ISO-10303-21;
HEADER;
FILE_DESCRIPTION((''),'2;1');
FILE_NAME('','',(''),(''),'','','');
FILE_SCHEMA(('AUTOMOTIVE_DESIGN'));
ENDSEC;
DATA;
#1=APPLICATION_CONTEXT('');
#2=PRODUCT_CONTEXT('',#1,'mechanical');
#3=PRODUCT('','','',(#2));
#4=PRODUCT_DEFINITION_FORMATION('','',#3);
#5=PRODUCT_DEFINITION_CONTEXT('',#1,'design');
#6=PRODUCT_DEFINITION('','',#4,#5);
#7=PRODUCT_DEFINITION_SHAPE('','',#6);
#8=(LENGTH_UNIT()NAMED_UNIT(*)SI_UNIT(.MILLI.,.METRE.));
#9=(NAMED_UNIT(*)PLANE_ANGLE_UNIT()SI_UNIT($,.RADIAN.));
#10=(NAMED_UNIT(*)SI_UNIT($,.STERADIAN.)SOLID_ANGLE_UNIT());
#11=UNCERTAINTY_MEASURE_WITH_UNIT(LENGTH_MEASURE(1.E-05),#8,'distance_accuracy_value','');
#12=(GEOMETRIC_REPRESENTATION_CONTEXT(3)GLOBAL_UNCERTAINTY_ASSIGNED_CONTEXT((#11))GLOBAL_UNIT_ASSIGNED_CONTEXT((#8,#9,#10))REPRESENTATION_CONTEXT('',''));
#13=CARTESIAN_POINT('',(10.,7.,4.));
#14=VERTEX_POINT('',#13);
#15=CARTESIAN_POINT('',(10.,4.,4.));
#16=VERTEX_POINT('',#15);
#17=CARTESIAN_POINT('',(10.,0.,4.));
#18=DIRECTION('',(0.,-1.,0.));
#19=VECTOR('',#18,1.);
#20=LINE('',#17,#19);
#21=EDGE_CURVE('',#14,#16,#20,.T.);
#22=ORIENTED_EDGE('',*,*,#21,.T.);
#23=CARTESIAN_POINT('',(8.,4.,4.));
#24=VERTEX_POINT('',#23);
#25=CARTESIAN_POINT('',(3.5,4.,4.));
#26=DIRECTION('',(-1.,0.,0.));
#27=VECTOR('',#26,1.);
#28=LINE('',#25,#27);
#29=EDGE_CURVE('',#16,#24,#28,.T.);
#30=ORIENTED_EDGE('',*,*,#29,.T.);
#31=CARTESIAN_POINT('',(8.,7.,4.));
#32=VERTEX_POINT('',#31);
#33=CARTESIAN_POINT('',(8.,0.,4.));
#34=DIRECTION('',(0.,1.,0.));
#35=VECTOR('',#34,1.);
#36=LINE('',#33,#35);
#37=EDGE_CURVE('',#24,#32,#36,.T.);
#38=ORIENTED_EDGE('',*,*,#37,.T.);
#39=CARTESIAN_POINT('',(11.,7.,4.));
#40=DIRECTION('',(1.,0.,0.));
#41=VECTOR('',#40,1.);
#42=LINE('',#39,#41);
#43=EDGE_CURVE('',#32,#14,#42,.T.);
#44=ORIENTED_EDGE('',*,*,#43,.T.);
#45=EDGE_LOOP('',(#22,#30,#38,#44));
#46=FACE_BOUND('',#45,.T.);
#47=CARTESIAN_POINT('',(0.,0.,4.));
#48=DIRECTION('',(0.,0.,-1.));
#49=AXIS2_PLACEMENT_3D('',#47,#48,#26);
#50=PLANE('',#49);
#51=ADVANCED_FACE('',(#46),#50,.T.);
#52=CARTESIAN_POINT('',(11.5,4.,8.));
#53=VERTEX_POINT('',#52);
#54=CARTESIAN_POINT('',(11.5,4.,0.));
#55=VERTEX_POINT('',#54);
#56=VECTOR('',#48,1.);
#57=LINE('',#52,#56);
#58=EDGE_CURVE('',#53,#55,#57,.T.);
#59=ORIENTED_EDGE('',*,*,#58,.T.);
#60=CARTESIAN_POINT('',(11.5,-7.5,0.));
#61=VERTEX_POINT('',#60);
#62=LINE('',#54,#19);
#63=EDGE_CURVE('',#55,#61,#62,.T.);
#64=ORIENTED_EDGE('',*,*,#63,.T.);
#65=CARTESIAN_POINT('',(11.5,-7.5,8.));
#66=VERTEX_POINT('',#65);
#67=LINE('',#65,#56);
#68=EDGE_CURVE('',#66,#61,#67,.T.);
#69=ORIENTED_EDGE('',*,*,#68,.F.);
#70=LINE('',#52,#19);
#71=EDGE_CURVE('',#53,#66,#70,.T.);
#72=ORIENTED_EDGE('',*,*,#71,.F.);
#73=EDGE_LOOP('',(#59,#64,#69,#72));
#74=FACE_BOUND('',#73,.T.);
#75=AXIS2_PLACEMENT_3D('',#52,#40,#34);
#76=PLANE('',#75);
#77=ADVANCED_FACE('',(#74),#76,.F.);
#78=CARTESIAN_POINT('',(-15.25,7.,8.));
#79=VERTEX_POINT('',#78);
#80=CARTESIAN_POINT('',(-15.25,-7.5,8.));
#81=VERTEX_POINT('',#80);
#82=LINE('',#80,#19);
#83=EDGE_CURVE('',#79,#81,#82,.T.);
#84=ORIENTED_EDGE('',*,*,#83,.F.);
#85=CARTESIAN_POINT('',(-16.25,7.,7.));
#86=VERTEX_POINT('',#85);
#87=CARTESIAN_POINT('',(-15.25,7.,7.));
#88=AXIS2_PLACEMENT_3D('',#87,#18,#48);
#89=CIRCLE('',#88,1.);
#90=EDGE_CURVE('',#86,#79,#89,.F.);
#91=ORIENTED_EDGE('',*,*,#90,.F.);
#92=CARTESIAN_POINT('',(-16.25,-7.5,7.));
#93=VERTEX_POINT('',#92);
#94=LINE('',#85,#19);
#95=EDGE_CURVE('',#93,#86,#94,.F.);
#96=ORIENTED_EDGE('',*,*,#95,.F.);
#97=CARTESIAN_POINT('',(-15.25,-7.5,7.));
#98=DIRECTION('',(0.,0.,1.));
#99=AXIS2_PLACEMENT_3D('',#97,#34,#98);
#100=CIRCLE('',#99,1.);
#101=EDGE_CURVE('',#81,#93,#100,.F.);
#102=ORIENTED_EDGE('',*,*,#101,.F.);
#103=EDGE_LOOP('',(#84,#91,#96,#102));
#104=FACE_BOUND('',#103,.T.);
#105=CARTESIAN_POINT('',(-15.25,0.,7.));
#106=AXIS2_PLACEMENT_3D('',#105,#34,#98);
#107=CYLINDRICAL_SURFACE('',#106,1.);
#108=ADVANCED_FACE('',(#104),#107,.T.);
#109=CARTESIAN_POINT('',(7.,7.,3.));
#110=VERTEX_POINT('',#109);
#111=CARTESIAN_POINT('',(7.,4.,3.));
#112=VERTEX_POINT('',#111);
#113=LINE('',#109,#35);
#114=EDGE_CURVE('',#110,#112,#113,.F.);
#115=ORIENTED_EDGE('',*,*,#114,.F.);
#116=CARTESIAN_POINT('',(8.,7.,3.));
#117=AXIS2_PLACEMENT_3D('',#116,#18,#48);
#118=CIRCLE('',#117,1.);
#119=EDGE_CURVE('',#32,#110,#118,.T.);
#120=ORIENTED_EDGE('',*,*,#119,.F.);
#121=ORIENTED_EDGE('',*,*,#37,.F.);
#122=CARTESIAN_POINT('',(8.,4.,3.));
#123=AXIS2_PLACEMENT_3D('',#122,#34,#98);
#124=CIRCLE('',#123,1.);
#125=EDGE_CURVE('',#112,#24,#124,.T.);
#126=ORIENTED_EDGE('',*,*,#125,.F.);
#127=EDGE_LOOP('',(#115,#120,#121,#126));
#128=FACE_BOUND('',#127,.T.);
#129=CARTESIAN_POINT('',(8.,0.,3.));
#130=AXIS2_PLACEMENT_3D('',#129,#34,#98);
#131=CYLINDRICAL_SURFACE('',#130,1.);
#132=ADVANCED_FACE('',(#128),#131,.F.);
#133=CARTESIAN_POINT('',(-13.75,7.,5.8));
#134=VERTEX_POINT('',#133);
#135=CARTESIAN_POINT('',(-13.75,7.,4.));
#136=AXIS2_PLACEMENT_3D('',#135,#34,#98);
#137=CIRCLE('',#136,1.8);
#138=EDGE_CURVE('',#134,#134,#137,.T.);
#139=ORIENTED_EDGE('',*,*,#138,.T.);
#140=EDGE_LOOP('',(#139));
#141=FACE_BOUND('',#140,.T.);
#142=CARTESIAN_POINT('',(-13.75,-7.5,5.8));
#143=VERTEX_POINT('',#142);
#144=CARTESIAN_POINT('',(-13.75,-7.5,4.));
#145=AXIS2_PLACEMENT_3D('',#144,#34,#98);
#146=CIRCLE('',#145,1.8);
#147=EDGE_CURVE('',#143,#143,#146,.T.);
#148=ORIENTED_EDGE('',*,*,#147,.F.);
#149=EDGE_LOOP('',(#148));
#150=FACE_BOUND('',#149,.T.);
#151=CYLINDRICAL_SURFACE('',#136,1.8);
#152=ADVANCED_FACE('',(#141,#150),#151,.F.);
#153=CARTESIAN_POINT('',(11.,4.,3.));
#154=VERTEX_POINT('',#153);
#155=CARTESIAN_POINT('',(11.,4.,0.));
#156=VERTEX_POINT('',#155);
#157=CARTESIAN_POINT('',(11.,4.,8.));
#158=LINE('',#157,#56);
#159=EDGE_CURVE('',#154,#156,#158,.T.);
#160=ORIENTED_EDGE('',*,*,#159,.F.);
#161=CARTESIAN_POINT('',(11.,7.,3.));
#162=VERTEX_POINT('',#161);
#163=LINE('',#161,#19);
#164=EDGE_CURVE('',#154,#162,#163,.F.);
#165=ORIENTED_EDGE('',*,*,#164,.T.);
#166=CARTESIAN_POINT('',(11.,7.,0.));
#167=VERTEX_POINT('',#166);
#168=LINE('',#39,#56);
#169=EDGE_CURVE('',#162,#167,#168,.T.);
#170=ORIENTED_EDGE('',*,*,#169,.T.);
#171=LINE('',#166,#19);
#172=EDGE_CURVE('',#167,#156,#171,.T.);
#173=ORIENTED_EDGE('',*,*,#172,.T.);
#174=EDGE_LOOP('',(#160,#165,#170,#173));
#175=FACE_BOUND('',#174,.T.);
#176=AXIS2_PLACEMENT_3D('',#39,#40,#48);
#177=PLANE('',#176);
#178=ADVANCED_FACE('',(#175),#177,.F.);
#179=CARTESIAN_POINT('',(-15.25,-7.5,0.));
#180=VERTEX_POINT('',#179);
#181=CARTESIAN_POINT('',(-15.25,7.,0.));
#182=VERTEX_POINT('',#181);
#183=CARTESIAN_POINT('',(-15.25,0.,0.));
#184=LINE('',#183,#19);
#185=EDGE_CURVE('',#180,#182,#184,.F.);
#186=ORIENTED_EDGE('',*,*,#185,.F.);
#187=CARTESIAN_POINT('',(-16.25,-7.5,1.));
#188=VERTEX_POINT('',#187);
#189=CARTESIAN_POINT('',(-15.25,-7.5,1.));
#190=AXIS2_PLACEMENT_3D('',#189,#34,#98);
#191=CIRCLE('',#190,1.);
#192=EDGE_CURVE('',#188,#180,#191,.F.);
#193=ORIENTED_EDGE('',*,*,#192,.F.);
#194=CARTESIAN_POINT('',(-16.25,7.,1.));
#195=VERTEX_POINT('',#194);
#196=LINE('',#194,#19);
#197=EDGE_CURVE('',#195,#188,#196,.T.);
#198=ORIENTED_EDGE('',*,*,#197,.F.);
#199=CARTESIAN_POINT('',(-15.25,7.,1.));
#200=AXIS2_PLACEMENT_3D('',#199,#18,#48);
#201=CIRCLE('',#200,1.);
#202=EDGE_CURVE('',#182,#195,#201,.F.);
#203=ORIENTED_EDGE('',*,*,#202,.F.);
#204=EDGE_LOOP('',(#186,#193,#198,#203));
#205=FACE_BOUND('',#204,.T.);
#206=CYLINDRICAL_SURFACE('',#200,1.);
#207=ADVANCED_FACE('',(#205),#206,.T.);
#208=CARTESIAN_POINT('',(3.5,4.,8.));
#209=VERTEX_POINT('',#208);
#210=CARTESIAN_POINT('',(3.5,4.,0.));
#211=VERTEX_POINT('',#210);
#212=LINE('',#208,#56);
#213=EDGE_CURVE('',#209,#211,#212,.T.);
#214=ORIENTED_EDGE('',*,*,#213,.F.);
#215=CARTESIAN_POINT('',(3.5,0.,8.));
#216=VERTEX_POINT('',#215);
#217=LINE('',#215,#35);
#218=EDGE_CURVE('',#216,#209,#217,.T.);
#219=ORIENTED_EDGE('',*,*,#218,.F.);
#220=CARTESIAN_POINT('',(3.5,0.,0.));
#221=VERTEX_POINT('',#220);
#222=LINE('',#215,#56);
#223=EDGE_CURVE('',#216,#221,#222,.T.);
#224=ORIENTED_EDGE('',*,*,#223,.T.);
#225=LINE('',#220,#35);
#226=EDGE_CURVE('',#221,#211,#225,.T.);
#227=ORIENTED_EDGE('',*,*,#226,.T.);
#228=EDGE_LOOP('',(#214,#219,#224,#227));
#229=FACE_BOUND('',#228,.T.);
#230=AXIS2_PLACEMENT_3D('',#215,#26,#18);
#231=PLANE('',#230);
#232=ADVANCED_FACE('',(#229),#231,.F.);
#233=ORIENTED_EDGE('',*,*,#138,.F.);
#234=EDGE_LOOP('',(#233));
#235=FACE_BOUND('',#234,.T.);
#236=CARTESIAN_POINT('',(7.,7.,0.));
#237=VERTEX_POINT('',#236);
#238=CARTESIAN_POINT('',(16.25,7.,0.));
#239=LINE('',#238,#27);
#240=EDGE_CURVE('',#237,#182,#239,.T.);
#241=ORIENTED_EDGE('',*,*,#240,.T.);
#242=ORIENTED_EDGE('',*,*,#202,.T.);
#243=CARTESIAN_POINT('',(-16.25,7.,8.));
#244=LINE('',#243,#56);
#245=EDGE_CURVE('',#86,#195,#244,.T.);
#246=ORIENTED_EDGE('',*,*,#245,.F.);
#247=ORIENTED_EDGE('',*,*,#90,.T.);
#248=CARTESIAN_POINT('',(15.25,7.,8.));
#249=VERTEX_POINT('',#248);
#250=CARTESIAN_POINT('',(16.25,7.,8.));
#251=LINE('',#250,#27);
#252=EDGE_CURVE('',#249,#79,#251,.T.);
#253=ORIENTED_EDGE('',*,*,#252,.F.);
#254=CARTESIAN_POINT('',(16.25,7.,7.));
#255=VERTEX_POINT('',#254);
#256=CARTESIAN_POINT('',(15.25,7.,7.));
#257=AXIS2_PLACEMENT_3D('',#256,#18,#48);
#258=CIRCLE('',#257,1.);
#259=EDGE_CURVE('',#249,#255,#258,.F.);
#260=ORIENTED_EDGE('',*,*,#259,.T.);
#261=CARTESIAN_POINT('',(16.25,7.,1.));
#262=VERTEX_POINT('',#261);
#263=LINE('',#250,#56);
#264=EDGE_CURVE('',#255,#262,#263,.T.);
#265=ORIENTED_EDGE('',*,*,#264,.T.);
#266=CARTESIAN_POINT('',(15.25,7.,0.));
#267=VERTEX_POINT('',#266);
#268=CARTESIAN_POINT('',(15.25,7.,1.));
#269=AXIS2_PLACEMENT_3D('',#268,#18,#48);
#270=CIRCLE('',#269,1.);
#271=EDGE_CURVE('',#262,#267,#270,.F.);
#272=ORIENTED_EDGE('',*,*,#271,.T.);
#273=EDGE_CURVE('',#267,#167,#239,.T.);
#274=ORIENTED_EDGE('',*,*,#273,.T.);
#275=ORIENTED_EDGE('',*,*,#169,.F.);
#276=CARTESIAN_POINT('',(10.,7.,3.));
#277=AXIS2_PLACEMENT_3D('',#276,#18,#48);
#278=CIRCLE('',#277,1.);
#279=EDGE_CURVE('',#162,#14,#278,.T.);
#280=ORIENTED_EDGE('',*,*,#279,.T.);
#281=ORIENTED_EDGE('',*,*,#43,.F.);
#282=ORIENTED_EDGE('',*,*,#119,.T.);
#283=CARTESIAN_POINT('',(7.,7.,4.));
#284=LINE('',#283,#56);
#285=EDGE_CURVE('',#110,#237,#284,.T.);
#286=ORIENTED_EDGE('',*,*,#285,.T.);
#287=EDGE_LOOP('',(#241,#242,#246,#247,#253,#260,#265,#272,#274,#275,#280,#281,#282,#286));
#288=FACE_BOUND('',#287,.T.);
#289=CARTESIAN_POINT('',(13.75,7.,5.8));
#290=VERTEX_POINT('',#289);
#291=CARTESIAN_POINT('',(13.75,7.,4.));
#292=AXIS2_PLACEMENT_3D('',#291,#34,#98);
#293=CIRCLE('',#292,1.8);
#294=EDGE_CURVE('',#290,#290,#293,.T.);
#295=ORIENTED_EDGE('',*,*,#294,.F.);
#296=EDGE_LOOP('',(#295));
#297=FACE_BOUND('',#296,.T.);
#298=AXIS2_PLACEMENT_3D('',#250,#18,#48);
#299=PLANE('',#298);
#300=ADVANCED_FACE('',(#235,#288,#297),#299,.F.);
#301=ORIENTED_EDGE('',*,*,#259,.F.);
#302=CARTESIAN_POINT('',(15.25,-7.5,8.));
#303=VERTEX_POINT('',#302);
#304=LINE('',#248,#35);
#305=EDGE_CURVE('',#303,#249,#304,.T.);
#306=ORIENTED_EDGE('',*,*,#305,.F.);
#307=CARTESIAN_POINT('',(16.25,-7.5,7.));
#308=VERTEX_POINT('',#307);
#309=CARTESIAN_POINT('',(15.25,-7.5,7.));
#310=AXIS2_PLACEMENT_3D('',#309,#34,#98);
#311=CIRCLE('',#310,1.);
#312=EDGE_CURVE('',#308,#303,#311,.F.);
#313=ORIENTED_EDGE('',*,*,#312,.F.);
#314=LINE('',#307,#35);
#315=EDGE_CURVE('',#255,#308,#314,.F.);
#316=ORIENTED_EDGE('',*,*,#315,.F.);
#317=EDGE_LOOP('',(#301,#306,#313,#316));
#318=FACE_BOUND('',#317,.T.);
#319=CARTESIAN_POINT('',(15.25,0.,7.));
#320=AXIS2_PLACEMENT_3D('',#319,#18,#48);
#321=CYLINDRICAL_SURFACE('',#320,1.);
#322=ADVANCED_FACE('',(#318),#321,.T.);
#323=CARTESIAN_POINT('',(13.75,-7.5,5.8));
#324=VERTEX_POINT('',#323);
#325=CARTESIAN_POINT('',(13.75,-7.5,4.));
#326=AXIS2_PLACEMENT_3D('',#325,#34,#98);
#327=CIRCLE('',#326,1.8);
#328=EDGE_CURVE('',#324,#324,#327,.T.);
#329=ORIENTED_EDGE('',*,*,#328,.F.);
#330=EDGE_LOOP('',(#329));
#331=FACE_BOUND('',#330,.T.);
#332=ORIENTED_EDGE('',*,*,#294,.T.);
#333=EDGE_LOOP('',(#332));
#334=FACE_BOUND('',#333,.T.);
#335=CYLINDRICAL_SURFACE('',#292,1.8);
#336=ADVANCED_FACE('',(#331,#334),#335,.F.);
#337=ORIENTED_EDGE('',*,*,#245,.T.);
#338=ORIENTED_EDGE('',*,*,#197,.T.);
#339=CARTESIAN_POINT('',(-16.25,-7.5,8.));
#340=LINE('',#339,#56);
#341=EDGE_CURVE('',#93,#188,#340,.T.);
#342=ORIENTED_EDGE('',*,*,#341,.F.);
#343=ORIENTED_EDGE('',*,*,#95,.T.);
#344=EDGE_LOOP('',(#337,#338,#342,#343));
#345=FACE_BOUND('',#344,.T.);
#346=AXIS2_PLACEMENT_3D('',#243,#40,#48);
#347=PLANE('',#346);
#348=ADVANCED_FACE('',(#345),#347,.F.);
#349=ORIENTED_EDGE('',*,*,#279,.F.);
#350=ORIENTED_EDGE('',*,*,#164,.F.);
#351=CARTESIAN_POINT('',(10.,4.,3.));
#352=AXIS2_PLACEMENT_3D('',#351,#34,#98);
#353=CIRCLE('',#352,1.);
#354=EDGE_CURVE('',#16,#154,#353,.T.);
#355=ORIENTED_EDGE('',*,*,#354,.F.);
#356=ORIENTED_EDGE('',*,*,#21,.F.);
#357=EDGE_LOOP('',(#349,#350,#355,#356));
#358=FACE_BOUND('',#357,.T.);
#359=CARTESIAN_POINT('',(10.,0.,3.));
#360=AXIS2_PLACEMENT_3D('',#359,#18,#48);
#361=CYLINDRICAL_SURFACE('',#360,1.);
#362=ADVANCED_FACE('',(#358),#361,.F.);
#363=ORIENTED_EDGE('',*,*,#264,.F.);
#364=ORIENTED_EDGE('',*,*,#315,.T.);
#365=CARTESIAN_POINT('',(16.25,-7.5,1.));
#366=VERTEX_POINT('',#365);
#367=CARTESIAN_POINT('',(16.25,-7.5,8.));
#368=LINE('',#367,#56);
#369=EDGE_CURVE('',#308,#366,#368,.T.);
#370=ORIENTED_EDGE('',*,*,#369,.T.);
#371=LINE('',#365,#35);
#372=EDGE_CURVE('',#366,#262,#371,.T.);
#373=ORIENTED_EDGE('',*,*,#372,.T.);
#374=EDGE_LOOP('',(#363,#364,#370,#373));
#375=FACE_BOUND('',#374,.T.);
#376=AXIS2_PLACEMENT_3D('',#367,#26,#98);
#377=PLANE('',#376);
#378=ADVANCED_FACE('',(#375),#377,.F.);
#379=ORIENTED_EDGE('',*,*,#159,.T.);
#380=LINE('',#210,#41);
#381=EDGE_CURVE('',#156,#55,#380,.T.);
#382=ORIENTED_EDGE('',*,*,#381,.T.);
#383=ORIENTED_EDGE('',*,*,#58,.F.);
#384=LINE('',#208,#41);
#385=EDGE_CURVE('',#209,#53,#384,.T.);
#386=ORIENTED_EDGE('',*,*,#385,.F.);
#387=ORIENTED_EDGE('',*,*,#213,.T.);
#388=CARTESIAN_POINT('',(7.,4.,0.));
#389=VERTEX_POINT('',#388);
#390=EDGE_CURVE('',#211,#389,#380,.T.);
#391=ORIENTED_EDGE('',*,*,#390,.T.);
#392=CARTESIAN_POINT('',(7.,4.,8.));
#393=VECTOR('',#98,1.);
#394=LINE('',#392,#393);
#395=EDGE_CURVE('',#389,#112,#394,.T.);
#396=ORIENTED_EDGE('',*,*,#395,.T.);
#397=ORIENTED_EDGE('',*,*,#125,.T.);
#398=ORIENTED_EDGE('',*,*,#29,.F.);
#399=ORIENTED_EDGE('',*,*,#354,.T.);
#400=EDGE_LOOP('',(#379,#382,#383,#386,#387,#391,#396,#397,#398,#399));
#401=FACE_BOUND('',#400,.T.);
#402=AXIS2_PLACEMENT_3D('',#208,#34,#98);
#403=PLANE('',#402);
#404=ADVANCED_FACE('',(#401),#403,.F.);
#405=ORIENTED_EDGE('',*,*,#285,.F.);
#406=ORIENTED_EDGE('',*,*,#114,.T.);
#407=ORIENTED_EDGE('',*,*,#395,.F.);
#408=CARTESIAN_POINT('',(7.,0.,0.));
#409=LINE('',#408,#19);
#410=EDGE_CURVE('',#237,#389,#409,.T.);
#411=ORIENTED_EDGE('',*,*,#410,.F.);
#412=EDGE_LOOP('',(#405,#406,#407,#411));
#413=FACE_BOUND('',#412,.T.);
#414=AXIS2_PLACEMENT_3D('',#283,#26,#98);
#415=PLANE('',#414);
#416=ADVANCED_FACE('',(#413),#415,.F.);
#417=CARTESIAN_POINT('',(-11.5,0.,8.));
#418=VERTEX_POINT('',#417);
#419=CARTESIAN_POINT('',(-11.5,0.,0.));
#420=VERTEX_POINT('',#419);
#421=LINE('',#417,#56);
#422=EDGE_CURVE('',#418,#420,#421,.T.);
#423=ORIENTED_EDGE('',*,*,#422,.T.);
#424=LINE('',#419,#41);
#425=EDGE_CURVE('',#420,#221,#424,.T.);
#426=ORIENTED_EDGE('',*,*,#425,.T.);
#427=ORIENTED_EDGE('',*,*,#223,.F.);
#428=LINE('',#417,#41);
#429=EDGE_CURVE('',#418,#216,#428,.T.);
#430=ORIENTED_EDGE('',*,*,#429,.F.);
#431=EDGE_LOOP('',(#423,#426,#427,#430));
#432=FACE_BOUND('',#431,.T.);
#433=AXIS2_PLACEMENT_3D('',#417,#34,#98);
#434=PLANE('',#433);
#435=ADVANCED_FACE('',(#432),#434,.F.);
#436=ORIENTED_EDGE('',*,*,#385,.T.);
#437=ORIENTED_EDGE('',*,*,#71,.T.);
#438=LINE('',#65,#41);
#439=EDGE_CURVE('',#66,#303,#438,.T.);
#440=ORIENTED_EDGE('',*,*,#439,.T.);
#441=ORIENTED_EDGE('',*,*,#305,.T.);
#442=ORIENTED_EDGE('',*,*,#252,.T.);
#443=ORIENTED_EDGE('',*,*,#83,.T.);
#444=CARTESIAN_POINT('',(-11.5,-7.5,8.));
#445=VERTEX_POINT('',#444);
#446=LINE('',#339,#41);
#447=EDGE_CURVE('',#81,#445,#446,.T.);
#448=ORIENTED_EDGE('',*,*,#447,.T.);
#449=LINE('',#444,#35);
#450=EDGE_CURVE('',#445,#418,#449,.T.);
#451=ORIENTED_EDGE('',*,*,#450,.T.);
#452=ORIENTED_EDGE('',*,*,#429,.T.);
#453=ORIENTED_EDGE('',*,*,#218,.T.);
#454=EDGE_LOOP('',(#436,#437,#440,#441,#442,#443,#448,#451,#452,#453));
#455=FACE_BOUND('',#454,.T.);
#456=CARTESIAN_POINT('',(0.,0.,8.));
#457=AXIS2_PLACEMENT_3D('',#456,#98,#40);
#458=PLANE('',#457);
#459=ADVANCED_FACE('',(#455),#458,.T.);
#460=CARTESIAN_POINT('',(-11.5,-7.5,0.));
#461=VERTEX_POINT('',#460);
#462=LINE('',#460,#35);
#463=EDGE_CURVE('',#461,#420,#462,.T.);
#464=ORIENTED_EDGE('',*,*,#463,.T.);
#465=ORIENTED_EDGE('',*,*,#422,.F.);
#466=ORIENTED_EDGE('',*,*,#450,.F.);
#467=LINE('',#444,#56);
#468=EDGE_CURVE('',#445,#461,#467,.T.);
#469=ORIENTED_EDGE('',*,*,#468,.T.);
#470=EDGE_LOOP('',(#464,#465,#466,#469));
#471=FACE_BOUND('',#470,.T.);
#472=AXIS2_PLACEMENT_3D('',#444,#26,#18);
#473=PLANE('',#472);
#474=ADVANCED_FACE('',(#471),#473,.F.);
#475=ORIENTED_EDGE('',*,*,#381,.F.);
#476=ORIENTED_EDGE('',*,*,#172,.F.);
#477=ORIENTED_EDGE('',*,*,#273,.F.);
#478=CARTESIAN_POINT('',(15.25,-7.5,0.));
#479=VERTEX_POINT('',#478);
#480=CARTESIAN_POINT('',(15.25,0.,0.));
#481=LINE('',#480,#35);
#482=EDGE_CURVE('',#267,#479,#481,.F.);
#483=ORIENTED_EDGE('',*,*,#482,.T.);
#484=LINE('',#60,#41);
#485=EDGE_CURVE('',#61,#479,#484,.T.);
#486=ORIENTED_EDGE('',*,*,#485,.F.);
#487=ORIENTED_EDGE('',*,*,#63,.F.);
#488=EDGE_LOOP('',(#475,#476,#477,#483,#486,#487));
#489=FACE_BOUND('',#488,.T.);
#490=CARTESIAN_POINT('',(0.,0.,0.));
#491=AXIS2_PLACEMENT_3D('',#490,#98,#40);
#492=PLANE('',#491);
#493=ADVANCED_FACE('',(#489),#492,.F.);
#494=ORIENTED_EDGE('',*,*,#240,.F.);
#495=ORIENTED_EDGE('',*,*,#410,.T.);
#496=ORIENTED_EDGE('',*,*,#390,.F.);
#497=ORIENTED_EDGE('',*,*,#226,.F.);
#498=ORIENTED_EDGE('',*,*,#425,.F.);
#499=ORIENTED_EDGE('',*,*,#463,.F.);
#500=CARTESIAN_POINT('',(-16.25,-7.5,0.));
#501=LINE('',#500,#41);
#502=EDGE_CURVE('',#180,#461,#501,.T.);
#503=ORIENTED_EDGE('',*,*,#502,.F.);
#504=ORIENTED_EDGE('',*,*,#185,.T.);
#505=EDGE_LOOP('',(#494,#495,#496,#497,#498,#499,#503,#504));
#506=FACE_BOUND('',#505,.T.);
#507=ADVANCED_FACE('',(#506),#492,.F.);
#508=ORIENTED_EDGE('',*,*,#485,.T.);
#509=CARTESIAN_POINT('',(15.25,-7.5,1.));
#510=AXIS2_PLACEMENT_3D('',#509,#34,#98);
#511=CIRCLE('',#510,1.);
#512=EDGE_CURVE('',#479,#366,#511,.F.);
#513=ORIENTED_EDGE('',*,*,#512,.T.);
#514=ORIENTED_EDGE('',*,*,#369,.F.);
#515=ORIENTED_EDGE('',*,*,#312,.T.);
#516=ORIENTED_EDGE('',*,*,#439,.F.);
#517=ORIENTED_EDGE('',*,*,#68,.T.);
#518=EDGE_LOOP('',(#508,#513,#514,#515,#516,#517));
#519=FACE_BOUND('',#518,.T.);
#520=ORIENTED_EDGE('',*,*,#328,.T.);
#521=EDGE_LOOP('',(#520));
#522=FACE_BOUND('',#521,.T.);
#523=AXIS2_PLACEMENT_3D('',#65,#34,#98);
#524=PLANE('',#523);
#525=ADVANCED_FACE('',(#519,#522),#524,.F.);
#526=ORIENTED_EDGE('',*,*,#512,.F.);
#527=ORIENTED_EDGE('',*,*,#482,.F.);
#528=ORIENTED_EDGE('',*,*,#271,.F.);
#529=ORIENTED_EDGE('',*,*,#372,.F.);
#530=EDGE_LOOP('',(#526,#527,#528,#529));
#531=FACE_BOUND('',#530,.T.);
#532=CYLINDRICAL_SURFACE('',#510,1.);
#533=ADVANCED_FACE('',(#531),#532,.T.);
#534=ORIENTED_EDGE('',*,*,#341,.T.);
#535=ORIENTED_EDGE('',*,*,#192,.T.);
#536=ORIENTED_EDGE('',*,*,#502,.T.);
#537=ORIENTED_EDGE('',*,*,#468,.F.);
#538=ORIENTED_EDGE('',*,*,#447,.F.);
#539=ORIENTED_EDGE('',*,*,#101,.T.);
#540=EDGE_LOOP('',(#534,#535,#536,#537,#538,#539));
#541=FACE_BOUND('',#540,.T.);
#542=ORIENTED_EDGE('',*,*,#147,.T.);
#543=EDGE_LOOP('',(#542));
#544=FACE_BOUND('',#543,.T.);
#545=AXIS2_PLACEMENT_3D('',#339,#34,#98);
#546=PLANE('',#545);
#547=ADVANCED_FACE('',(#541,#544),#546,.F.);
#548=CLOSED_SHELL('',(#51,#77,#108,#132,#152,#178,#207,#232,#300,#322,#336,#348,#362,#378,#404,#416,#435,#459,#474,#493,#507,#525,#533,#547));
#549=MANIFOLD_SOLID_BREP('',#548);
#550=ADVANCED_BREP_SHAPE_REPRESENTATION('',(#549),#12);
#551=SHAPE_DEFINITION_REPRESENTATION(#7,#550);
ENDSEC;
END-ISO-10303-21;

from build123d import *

# Parameters (mm, degrees)
BOSS_EXTRUDE1_DEPTH  = 8
M3_CLEARANCE_HOLE1_D = 3.6
FILLET1_R            = 1
SKETCH5_W            = 4
SKETCH5_H            = 7
CUT_EXTRUDE1_DEPTH   = 4
FILLET2_R            = 1


with BuildPart() as part:
    # Sketch1 → Boss-Extrude1 (new body)
    with BuildSketch(Plane.XY):
        Polygon((-16.25, -7.5), (-11.5, -7.5), (-11.5, 0), (3.5, 0), (3.5, 4), (11.5, 4), (11.5, -7.5), (16.25, -7.5), (16.25, 7), (-16.25, 7), align=None)
    extrude(amount=BOSS_EXTRUDE1_DEPTH)

    # M3 Clearance Hole1 (through all)
    with Locations(Plane(origin=(0, 7, 0), x_dir=(1, 0, 0), z_dir=(0, 1, 0))):
        with Locations((13.75, -4), (-13.75, -4)):
            Hole(M3_CLEARANCE_HOLE1_D / 2)

    # Fillet1
    fillet1_edges = [part.edges().sort_by_distance(p)[0] for p in [
        (-16.25, -0.25, 8),
        (-16.25, -0.25, 0),
        (16.25, -0.25, 0),
        (16.25, -0.25, 8),
    ]]
    fillet(fillet1_edges, radius=FILLET1_R)

    # Sketch5 → Cut-Extrude1 (cut)
    with BuildSketch(Plane(origin=(0, 0, 0), x_dir=(-1, 0, 0), z_dir=(0, 0, -1))):
        with Locations((-9, 3.5)):
            Rectangle(SKETCH5_W, SKETCH5_H)
    extrude(amount=-CUT_EXTRUDE1_DEPTH, mode=Mode.SUBTRACT)

    # Fillet2
    fillet2_edges = [part.edges().sort_by_distance(p)[0] for p in [
        (11, 5.5, 4),
        (7, 5.5, 4),
    ]]
    fillet(fillet2_edges, radius=FILLET2_R)


solid = part.part
